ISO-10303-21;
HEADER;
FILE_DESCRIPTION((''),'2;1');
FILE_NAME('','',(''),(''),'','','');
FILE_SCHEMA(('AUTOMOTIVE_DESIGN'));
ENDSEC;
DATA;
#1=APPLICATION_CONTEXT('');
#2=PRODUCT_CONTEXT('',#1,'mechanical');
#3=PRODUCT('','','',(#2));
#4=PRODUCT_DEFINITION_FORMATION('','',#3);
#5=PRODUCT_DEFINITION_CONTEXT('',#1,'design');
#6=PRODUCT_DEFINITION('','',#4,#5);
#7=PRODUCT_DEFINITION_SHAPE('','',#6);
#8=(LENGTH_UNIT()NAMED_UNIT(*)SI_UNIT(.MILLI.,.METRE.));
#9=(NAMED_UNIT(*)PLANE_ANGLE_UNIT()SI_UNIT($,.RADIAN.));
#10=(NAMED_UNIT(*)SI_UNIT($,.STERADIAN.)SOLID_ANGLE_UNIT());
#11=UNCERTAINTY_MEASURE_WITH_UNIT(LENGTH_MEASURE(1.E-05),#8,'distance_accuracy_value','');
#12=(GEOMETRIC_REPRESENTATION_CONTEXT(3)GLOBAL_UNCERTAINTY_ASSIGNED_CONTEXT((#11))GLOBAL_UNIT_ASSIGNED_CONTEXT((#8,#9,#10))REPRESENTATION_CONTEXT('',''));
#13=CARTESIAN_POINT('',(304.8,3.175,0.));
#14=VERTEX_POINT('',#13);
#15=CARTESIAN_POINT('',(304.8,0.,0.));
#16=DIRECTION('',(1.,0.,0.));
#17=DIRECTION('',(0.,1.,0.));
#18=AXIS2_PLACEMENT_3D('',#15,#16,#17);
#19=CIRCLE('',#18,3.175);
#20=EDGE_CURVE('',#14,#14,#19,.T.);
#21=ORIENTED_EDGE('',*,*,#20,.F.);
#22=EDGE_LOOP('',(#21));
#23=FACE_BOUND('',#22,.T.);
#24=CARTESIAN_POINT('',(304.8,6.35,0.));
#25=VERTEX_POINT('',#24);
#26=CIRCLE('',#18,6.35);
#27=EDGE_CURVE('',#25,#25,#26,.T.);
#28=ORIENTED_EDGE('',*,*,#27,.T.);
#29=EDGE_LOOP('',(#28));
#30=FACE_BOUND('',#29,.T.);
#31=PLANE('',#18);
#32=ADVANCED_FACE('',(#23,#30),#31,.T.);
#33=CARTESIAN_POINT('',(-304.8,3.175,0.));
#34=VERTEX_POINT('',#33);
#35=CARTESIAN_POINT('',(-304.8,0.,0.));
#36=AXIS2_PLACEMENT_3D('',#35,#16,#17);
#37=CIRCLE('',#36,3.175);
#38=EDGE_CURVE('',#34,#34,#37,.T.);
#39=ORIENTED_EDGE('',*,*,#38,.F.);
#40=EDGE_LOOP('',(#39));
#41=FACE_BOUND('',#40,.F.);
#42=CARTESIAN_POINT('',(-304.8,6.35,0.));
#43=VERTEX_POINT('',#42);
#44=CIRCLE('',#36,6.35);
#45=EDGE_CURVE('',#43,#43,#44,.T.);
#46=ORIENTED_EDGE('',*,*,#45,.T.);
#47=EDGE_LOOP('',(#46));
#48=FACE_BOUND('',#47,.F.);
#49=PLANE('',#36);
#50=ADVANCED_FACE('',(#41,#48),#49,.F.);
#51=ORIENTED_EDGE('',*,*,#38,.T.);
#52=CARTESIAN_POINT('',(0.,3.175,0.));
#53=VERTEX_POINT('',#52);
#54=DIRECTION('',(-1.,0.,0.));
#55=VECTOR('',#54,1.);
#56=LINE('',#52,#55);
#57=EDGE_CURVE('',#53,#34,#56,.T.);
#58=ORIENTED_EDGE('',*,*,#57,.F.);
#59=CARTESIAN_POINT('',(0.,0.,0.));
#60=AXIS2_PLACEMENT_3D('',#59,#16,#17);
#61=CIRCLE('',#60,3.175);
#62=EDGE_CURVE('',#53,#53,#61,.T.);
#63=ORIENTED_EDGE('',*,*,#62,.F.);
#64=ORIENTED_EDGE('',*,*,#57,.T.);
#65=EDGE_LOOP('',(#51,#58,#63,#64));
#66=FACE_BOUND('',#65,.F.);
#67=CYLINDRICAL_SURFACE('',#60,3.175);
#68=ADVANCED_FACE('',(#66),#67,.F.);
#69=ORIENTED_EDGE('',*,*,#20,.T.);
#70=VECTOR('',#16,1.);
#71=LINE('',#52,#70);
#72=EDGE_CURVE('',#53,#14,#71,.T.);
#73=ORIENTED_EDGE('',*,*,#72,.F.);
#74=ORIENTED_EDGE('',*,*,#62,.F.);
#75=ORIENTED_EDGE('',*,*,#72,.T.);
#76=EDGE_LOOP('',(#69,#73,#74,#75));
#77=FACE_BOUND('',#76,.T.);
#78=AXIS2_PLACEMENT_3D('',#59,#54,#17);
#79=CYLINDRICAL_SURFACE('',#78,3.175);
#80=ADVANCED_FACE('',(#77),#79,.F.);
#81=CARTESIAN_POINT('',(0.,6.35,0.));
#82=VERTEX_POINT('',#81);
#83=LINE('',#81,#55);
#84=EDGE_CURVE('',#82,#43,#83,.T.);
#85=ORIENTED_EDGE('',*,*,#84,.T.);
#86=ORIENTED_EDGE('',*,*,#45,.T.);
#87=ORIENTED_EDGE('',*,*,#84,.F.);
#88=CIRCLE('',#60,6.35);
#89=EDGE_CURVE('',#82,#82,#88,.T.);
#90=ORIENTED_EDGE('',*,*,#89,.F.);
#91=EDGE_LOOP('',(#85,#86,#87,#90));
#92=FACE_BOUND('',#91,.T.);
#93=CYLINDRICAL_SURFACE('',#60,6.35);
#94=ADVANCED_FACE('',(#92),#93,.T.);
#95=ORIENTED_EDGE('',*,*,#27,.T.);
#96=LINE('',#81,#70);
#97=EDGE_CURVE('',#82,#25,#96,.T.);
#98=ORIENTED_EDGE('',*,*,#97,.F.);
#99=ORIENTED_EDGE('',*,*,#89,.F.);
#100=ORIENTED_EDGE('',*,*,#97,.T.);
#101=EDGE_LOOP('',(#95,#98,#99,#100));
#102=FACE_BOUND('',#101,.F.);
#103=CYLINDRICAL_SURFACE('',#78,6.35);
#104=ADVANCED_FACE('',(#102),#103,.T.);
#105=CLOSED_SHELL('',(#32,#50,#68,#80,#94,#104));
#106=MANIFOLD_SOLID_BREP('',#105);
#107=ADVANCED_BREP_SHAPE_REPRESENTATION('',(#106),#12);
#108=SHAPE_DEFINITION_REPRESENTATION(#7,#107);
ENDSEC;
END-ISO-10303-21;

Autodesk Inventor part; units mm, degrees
ref_plane "YZ Plane" through (0, 0, 0) normal (1, 0, 0) x (0, 1, 0)
ref_plane "XZ Plane" through (0, 0, 0) normal (0, 1, 0) x (-1, 0, 0)
ref_plane "XY Plane" through (0, 0, 0) normal (0, 0, 1) x (1, 0, 0)
sketch "Sketch1" plane through (0, 0, 0) normal (1, 0, 0) x (0, 1, 0)
  circle A0 centre (0, 0) radius 6.35
  circle A1 centre (0, 0) radius 3.175
  dimension "d0" = 12.7
  dimension "d1" = 6.35
extrude "Extrusion1" add sketch "Sketch1" along normal mid plane 609.6
properties part number "Churro Cross Brace"
